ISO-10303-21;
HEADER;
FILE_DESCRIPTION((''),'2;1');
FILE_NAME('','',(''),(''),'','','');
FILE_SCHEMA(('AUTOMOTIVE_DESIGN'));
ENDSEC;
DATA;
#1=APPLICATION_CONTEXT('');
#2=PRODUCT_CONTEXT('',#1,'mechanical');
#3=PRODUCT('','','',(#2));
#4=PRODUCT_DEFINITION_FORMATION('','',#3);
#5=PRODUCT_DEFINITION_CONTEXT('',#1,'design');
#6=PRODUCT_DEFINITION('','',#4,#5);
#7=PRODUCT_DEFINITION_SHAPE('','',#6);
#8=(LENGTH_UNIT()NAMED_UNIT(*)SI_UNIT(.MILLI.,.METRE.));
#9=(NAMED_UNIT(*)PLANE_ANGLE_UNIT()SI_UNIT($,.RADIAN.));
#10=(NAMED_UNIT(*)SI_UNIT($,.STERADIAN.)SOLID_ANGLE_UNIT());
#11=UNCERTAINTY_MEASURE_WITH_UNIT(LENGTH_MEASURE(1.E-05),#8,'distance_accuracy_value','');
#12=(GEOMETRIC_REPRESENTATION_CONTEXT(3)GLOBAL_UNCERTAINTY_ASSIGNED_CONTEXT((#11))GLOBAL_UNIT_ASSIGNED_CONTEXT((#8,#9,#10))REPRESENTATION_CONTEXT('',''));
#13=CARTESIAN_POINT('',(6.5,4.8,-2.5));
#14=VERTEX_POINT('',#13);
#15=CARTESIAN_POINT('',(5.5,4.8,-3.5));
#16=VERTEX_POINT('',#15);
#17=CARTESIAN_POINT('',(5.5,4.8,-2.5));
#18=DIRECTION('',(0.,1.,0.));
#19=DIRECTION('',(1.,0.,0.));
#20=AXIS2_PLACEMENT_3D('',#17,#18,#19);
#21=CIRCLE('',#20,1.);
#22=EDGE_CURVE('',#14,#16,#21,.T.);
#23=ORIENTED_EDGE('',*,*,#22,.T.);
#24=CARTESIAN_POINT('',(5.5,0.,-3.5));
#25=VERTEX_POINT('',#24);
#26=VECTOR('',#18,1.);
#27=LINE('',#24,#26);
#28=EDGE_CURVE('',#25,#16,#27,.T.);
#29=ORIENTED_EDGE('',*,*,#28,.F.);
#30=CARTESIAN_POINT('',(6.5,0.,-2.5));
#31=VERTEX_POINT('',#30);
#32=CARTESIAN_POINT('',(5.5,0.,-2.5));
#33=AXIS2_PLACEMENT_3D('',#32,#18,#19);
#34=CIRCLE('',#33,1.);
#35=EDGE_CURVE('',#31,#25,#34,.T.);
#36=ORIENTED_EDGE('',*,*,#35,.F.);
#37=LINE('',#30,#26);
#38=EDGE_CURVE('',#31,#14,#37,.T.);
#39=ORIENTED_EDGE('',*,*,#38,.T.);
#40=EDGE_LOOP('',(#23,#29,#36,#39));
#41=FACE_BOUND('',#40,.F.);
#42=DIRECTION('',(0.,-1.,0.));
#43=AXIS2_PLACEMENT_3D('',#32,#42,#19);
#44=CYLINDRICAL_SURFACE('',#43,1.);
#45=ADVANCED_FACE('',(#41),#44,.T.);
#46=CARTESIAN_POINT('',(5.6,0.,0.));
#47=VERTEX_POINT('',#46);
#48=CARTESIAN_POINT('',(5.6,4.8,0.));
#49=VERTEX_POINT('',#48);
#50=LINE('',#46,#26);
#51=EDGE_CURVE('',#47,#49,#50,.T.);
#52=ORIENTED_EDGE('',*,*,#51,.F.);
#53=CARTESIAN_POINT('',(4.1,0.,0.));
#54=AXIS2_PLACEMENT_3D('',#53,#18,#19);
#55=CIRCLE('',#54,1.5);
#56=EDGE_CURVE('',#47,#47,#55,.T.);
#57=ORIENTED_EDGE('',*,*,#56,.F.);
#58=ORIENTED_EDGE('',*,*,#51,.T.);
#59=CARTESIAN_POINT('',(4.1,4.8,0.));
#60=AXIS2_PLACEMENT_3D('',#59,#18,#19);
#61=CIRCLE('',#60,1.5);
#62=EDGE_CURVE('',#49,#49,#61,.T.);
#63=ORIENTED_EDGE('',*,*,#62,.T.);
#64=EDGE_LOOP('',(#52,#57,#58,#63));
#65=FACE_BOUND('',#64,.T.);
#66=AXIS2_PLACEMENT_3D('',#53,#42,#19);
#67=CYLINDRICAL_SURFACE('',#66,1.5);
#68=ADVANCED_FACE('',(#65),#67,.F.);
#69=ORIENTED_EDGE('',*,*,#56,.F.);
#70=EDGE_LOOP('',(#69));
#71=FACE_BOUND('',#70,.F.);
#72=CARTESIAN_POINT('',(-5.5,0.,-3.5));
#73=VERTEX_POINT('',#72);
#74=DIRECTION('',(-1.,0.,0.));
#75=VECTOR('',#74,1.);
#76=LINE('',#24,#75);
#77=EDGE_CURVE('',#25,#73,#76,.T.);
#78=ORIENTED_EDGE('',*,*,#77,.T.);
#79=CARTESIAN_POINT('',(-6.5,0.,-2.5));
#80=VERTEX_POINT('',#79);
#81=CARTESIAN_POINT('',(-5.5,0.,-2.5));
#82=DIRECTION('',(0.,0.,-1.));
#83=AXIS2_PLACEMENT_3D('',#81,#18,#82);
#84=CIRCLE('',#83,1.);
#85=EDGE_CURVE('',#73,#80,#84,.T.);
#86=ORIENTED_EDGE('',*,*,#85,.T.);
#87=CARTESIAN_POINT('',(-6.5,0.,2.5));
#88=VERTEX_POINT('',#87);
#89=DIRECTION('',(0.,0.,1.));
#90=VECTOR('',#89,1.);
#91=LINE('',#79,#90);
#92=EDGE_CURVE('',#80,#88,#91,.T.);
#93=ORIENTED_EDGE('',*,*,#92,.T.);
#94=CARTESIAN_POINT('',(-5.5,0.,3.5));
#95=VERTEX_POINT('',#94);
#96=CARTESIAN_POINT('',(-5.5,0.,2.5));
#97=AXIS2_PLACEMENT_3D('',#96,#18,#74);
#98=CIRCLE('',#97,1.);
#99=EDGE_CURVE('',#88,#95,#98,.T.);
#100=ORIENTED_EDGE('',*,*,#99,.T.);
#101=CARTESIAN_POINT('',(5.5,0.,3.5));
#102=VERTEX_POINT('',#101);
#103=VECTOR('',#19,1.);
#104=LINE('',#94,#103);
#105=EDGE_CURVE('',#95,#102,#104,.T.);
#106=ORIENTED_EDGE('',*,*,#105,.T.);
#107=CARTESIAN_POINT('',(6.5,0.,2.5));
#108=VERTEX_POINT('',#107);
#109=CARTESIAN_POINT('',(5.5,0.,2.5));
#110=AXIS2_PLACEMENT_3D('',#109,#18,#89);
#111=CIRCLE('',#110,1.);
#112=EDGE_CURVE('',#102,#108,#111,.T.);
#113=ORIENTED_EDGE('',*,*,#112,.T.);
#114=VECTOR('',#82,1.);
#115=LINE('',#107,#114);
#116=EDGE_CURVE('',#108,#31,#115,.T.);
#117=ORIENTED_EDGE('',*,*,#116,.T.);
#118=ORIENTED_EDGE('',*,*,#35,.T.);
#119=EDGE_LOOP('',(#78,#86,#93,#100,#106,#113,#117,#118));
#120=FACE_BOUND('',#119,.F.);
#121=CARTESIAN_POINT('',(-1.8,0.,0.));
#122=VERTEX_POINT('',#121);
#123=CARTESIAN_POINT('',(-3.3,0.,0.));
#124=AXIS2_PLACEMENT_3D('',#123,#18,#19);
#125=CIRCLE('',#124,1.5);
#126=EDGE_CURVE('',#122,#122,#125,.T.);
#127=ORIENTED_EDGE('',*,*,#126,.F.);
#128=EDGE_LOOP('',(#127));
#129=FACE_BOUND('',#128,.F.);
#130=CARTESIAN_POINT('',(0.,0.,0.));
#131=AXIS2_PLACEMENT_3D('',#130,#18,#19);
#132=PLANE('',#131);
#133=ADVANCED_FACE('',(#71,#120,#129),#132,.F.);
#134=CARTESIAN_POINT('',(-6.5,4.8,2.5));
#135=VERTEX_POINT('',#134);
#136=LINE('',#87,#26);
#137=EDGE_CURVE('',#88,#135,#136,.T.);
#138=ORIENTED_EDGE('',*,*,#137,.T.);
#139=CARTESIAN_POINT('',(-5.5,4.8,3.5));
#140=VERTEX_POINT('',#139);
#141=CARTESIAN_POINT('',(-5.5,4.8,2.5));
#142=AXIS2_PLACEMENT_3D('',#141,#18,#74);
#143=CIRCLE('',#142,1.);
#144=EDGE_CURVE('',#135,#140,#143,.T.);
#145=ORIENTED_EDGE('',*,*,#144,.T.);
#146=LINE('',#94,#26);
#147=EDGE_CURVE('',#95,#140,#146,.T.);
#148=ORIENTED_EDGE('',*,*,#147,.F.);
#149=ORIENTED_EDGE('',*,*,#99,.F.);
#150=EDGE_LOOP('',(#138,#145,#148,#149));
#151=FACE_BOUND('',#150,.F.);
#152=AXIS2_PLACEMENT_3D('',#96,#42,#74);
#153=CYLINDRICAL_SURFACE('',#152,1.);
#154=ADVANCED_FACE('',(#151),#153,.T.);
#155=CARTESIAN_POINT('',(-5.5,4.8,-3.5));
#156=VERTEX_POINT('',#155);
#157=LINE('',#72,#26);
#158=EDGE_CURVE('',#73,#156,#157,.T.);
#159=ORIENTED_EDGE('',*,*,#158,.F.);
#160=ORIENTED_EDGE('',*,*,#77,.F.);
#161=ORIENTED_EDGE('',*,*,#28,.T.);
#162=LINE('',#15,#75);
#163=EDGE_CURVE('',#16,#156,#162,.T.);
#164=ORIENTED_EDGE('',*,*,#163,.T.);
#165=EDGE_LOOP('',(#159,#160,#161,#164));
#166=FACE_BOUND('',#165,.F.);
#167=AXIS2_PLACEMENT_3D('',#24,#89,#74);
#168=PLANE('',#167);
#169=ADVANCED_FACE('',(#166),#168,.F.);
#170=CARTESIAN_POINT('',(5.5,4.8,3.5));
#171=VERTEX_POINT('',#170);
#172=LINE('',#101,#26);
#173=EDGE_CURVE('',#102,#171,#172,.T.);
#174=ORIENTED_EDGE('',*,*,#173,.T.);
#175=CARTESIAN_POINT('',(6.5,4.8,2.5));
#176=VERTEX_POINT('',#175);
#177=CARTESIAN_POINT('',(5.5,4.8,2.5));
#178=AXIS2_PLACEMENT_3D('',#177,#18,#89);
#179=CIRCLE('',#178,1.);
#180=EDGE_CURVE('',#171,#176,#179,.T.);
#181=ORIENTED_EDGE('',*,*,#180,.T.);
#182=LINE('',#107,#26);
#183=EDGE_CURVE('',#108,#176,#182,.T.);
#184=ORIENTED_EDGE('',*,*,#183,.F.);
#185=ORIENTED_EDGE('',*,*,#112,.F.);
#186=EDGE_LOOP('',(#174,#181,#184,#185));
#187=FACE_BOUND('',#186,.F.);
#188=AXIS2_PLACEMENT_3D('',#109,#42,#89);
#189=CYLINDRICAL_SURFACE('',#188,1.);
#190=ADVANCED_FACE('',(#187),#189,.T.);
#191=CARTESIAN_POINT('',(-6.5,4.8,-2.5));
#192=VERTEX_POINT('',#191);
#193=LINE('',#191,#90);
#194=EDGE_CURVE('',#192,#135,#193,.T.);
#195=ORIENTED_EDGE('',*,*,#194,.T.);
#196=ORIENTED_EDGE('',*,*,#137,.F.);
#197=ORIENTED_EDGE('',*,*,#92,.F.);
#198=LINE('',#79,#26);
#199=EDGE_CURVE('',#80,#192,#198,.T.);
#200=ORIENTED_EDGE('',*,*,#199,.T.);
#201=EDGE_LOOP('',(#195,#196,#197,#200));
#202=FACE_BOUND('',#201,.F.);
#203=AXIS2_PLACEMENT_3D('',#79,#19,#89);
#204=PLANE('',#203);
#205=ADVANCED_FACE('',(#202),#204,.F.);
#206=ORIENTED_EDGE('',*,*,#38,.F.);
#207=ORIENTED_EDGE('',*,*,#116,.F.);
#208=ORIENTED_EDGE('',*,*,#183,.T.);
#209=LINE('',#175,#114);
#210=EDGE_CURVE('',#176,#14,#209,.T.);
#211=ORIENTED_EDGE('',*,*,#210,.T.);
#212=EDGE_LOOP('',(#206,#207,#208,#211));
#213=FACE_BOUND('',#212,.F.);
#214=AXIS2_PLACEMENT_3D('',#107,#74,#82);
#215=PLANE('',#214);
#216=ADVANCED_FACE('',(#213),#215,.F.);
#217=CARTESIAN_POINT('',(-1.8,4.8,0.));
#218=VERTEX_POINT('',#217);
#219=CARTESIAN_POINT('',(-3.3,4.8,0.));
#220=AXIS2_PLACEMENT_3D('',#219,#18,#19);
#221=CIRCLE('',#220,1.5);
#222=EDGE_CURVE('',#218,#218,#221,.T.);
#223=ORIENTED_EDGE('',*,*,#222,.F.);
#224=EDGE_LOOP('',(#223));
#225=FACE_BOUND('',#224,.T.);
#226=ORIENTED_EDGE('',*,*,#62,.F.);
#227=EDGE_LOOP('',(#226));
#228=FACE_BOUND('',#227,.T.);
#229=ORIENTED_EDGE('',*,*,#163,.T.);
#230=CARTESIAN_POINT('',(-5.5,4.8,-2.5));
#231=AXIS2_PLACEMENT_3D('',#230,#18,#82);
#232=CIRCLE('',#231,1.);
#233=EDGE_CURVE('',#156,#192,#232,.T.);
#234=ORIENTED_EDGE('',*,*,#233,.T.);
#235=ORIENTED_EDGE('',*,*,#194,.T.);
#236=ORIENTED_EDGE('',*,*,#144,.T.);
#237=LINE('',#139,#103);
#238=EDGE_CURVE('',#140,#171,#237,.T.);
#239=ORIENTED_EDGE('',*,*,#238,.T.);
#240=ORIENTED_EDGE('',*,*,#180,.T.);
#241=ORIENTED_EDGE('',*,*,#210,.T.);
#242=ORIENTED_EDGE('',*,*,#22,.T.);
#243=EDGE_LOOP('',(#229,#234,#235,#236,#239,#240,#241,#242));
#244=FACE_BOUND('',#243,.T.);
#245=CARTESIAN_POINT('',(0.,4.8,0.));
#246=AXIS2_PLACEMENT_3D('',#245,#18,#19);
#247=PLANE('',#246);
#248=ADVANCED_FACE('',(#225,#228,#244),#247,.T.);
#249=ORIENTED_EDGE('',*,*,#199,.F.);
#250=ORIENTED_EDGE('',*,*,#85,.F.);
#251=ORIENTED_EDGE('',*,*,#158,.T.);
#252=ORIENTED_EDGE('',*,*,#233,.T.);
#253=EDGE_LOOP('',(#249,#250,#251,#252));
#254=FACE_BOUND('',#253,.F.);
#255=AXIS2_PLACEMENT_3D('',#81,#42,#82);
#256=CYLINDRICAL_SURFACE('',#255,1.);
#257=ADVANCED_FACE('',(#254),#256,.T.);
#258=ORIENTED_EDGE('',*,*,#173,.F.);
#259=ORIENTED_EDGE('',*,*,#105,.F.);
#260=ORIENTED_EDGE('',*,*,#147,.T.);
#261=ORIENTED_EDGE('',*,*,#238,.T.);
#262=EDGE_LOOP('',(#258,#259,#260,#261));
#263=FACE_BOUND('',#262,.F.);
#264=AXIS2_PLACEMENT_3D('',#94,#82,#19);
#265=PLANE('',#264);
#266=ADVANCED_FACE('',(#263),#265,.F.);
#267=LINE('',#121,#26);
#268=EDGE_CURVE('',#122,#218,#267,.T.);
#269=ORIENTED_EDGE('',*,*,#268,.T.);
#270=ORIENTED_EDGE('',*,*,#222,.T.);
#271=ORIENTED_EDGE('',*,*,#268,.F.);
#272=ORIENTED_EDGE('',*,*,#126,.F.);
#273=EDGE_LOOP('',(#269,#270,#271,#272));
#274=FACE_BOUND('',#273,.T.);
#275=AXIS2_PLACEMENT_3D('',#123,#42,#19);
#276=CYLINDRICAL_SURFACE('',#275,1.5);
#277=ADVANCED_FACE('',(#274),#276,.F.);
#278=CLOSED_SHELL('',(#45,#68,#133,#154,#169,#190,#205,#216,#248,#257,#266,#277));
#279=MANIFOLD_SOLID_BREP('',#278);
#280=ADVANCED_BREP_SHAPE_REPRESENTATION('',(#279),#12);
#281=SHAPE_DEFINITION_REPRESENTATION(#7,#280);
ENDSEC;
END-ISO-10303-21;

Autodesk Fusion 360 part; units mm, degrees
sketch "Sketch1" plane through (0, 0, 0) normal (0, 1, 0) x (1, 0, 0)
  line L0 (-5.5, -3.5) -> (5.5, -3.5)
  line L1 (6.5, -2.5) -> (6.5, 2.5)
  line L2 (5.5, 3.5) -> (-5.5, 3.5)
  line L3 (-6.5, 2.5) -> (-6.5, -2.5)
  line L4 (-6.5, -3.5) -> (6.5, 3.5) construction
  arc A0 (-6.5, -2.5) -> (-5.5, -3.5) centre (-5.5, -2.5) ccw
  arc A1 (5.5, -3.5) -> (6.5, -2.5) centre (5.5, -2.5) ccw
  arc A2 (-5.5, 3.5) -> (-6.5, 2.5) centre (-5.5, 2.5) ccw
  arc A3 (6.5, 2.5) -> (5.5, 3.5) centre (5.5, 2.5) ccw
  line L5 (0, 0) -> (-6.5, 0) construction
  line L6 (0, 0) -> (6.5, 0) construction
  circle A4 centre (4.1, 0) radius 1.5
  circle A5 centre (-3.3, 0) radius 1.5
  line L7 (1.7, -3.5) -> (1.7, 3.5) construction
  point P0 (6.5, -3.5)
  dimension "d1" = 13
  dimension "d2" = 7
  dimension "d3" = 1
  dimension "d4" = 1
  dimension "d5" = 1
  dimension "d6" = 1
  dimension "d7" = 3
  dimension "d8" = 3
  dimension "d11" = 4.8
  dimension "d12" = 2.4
  dimension "d13" = 5
extrude "Extrude1" add sketch "Sketch1" along normal blind 4.8
